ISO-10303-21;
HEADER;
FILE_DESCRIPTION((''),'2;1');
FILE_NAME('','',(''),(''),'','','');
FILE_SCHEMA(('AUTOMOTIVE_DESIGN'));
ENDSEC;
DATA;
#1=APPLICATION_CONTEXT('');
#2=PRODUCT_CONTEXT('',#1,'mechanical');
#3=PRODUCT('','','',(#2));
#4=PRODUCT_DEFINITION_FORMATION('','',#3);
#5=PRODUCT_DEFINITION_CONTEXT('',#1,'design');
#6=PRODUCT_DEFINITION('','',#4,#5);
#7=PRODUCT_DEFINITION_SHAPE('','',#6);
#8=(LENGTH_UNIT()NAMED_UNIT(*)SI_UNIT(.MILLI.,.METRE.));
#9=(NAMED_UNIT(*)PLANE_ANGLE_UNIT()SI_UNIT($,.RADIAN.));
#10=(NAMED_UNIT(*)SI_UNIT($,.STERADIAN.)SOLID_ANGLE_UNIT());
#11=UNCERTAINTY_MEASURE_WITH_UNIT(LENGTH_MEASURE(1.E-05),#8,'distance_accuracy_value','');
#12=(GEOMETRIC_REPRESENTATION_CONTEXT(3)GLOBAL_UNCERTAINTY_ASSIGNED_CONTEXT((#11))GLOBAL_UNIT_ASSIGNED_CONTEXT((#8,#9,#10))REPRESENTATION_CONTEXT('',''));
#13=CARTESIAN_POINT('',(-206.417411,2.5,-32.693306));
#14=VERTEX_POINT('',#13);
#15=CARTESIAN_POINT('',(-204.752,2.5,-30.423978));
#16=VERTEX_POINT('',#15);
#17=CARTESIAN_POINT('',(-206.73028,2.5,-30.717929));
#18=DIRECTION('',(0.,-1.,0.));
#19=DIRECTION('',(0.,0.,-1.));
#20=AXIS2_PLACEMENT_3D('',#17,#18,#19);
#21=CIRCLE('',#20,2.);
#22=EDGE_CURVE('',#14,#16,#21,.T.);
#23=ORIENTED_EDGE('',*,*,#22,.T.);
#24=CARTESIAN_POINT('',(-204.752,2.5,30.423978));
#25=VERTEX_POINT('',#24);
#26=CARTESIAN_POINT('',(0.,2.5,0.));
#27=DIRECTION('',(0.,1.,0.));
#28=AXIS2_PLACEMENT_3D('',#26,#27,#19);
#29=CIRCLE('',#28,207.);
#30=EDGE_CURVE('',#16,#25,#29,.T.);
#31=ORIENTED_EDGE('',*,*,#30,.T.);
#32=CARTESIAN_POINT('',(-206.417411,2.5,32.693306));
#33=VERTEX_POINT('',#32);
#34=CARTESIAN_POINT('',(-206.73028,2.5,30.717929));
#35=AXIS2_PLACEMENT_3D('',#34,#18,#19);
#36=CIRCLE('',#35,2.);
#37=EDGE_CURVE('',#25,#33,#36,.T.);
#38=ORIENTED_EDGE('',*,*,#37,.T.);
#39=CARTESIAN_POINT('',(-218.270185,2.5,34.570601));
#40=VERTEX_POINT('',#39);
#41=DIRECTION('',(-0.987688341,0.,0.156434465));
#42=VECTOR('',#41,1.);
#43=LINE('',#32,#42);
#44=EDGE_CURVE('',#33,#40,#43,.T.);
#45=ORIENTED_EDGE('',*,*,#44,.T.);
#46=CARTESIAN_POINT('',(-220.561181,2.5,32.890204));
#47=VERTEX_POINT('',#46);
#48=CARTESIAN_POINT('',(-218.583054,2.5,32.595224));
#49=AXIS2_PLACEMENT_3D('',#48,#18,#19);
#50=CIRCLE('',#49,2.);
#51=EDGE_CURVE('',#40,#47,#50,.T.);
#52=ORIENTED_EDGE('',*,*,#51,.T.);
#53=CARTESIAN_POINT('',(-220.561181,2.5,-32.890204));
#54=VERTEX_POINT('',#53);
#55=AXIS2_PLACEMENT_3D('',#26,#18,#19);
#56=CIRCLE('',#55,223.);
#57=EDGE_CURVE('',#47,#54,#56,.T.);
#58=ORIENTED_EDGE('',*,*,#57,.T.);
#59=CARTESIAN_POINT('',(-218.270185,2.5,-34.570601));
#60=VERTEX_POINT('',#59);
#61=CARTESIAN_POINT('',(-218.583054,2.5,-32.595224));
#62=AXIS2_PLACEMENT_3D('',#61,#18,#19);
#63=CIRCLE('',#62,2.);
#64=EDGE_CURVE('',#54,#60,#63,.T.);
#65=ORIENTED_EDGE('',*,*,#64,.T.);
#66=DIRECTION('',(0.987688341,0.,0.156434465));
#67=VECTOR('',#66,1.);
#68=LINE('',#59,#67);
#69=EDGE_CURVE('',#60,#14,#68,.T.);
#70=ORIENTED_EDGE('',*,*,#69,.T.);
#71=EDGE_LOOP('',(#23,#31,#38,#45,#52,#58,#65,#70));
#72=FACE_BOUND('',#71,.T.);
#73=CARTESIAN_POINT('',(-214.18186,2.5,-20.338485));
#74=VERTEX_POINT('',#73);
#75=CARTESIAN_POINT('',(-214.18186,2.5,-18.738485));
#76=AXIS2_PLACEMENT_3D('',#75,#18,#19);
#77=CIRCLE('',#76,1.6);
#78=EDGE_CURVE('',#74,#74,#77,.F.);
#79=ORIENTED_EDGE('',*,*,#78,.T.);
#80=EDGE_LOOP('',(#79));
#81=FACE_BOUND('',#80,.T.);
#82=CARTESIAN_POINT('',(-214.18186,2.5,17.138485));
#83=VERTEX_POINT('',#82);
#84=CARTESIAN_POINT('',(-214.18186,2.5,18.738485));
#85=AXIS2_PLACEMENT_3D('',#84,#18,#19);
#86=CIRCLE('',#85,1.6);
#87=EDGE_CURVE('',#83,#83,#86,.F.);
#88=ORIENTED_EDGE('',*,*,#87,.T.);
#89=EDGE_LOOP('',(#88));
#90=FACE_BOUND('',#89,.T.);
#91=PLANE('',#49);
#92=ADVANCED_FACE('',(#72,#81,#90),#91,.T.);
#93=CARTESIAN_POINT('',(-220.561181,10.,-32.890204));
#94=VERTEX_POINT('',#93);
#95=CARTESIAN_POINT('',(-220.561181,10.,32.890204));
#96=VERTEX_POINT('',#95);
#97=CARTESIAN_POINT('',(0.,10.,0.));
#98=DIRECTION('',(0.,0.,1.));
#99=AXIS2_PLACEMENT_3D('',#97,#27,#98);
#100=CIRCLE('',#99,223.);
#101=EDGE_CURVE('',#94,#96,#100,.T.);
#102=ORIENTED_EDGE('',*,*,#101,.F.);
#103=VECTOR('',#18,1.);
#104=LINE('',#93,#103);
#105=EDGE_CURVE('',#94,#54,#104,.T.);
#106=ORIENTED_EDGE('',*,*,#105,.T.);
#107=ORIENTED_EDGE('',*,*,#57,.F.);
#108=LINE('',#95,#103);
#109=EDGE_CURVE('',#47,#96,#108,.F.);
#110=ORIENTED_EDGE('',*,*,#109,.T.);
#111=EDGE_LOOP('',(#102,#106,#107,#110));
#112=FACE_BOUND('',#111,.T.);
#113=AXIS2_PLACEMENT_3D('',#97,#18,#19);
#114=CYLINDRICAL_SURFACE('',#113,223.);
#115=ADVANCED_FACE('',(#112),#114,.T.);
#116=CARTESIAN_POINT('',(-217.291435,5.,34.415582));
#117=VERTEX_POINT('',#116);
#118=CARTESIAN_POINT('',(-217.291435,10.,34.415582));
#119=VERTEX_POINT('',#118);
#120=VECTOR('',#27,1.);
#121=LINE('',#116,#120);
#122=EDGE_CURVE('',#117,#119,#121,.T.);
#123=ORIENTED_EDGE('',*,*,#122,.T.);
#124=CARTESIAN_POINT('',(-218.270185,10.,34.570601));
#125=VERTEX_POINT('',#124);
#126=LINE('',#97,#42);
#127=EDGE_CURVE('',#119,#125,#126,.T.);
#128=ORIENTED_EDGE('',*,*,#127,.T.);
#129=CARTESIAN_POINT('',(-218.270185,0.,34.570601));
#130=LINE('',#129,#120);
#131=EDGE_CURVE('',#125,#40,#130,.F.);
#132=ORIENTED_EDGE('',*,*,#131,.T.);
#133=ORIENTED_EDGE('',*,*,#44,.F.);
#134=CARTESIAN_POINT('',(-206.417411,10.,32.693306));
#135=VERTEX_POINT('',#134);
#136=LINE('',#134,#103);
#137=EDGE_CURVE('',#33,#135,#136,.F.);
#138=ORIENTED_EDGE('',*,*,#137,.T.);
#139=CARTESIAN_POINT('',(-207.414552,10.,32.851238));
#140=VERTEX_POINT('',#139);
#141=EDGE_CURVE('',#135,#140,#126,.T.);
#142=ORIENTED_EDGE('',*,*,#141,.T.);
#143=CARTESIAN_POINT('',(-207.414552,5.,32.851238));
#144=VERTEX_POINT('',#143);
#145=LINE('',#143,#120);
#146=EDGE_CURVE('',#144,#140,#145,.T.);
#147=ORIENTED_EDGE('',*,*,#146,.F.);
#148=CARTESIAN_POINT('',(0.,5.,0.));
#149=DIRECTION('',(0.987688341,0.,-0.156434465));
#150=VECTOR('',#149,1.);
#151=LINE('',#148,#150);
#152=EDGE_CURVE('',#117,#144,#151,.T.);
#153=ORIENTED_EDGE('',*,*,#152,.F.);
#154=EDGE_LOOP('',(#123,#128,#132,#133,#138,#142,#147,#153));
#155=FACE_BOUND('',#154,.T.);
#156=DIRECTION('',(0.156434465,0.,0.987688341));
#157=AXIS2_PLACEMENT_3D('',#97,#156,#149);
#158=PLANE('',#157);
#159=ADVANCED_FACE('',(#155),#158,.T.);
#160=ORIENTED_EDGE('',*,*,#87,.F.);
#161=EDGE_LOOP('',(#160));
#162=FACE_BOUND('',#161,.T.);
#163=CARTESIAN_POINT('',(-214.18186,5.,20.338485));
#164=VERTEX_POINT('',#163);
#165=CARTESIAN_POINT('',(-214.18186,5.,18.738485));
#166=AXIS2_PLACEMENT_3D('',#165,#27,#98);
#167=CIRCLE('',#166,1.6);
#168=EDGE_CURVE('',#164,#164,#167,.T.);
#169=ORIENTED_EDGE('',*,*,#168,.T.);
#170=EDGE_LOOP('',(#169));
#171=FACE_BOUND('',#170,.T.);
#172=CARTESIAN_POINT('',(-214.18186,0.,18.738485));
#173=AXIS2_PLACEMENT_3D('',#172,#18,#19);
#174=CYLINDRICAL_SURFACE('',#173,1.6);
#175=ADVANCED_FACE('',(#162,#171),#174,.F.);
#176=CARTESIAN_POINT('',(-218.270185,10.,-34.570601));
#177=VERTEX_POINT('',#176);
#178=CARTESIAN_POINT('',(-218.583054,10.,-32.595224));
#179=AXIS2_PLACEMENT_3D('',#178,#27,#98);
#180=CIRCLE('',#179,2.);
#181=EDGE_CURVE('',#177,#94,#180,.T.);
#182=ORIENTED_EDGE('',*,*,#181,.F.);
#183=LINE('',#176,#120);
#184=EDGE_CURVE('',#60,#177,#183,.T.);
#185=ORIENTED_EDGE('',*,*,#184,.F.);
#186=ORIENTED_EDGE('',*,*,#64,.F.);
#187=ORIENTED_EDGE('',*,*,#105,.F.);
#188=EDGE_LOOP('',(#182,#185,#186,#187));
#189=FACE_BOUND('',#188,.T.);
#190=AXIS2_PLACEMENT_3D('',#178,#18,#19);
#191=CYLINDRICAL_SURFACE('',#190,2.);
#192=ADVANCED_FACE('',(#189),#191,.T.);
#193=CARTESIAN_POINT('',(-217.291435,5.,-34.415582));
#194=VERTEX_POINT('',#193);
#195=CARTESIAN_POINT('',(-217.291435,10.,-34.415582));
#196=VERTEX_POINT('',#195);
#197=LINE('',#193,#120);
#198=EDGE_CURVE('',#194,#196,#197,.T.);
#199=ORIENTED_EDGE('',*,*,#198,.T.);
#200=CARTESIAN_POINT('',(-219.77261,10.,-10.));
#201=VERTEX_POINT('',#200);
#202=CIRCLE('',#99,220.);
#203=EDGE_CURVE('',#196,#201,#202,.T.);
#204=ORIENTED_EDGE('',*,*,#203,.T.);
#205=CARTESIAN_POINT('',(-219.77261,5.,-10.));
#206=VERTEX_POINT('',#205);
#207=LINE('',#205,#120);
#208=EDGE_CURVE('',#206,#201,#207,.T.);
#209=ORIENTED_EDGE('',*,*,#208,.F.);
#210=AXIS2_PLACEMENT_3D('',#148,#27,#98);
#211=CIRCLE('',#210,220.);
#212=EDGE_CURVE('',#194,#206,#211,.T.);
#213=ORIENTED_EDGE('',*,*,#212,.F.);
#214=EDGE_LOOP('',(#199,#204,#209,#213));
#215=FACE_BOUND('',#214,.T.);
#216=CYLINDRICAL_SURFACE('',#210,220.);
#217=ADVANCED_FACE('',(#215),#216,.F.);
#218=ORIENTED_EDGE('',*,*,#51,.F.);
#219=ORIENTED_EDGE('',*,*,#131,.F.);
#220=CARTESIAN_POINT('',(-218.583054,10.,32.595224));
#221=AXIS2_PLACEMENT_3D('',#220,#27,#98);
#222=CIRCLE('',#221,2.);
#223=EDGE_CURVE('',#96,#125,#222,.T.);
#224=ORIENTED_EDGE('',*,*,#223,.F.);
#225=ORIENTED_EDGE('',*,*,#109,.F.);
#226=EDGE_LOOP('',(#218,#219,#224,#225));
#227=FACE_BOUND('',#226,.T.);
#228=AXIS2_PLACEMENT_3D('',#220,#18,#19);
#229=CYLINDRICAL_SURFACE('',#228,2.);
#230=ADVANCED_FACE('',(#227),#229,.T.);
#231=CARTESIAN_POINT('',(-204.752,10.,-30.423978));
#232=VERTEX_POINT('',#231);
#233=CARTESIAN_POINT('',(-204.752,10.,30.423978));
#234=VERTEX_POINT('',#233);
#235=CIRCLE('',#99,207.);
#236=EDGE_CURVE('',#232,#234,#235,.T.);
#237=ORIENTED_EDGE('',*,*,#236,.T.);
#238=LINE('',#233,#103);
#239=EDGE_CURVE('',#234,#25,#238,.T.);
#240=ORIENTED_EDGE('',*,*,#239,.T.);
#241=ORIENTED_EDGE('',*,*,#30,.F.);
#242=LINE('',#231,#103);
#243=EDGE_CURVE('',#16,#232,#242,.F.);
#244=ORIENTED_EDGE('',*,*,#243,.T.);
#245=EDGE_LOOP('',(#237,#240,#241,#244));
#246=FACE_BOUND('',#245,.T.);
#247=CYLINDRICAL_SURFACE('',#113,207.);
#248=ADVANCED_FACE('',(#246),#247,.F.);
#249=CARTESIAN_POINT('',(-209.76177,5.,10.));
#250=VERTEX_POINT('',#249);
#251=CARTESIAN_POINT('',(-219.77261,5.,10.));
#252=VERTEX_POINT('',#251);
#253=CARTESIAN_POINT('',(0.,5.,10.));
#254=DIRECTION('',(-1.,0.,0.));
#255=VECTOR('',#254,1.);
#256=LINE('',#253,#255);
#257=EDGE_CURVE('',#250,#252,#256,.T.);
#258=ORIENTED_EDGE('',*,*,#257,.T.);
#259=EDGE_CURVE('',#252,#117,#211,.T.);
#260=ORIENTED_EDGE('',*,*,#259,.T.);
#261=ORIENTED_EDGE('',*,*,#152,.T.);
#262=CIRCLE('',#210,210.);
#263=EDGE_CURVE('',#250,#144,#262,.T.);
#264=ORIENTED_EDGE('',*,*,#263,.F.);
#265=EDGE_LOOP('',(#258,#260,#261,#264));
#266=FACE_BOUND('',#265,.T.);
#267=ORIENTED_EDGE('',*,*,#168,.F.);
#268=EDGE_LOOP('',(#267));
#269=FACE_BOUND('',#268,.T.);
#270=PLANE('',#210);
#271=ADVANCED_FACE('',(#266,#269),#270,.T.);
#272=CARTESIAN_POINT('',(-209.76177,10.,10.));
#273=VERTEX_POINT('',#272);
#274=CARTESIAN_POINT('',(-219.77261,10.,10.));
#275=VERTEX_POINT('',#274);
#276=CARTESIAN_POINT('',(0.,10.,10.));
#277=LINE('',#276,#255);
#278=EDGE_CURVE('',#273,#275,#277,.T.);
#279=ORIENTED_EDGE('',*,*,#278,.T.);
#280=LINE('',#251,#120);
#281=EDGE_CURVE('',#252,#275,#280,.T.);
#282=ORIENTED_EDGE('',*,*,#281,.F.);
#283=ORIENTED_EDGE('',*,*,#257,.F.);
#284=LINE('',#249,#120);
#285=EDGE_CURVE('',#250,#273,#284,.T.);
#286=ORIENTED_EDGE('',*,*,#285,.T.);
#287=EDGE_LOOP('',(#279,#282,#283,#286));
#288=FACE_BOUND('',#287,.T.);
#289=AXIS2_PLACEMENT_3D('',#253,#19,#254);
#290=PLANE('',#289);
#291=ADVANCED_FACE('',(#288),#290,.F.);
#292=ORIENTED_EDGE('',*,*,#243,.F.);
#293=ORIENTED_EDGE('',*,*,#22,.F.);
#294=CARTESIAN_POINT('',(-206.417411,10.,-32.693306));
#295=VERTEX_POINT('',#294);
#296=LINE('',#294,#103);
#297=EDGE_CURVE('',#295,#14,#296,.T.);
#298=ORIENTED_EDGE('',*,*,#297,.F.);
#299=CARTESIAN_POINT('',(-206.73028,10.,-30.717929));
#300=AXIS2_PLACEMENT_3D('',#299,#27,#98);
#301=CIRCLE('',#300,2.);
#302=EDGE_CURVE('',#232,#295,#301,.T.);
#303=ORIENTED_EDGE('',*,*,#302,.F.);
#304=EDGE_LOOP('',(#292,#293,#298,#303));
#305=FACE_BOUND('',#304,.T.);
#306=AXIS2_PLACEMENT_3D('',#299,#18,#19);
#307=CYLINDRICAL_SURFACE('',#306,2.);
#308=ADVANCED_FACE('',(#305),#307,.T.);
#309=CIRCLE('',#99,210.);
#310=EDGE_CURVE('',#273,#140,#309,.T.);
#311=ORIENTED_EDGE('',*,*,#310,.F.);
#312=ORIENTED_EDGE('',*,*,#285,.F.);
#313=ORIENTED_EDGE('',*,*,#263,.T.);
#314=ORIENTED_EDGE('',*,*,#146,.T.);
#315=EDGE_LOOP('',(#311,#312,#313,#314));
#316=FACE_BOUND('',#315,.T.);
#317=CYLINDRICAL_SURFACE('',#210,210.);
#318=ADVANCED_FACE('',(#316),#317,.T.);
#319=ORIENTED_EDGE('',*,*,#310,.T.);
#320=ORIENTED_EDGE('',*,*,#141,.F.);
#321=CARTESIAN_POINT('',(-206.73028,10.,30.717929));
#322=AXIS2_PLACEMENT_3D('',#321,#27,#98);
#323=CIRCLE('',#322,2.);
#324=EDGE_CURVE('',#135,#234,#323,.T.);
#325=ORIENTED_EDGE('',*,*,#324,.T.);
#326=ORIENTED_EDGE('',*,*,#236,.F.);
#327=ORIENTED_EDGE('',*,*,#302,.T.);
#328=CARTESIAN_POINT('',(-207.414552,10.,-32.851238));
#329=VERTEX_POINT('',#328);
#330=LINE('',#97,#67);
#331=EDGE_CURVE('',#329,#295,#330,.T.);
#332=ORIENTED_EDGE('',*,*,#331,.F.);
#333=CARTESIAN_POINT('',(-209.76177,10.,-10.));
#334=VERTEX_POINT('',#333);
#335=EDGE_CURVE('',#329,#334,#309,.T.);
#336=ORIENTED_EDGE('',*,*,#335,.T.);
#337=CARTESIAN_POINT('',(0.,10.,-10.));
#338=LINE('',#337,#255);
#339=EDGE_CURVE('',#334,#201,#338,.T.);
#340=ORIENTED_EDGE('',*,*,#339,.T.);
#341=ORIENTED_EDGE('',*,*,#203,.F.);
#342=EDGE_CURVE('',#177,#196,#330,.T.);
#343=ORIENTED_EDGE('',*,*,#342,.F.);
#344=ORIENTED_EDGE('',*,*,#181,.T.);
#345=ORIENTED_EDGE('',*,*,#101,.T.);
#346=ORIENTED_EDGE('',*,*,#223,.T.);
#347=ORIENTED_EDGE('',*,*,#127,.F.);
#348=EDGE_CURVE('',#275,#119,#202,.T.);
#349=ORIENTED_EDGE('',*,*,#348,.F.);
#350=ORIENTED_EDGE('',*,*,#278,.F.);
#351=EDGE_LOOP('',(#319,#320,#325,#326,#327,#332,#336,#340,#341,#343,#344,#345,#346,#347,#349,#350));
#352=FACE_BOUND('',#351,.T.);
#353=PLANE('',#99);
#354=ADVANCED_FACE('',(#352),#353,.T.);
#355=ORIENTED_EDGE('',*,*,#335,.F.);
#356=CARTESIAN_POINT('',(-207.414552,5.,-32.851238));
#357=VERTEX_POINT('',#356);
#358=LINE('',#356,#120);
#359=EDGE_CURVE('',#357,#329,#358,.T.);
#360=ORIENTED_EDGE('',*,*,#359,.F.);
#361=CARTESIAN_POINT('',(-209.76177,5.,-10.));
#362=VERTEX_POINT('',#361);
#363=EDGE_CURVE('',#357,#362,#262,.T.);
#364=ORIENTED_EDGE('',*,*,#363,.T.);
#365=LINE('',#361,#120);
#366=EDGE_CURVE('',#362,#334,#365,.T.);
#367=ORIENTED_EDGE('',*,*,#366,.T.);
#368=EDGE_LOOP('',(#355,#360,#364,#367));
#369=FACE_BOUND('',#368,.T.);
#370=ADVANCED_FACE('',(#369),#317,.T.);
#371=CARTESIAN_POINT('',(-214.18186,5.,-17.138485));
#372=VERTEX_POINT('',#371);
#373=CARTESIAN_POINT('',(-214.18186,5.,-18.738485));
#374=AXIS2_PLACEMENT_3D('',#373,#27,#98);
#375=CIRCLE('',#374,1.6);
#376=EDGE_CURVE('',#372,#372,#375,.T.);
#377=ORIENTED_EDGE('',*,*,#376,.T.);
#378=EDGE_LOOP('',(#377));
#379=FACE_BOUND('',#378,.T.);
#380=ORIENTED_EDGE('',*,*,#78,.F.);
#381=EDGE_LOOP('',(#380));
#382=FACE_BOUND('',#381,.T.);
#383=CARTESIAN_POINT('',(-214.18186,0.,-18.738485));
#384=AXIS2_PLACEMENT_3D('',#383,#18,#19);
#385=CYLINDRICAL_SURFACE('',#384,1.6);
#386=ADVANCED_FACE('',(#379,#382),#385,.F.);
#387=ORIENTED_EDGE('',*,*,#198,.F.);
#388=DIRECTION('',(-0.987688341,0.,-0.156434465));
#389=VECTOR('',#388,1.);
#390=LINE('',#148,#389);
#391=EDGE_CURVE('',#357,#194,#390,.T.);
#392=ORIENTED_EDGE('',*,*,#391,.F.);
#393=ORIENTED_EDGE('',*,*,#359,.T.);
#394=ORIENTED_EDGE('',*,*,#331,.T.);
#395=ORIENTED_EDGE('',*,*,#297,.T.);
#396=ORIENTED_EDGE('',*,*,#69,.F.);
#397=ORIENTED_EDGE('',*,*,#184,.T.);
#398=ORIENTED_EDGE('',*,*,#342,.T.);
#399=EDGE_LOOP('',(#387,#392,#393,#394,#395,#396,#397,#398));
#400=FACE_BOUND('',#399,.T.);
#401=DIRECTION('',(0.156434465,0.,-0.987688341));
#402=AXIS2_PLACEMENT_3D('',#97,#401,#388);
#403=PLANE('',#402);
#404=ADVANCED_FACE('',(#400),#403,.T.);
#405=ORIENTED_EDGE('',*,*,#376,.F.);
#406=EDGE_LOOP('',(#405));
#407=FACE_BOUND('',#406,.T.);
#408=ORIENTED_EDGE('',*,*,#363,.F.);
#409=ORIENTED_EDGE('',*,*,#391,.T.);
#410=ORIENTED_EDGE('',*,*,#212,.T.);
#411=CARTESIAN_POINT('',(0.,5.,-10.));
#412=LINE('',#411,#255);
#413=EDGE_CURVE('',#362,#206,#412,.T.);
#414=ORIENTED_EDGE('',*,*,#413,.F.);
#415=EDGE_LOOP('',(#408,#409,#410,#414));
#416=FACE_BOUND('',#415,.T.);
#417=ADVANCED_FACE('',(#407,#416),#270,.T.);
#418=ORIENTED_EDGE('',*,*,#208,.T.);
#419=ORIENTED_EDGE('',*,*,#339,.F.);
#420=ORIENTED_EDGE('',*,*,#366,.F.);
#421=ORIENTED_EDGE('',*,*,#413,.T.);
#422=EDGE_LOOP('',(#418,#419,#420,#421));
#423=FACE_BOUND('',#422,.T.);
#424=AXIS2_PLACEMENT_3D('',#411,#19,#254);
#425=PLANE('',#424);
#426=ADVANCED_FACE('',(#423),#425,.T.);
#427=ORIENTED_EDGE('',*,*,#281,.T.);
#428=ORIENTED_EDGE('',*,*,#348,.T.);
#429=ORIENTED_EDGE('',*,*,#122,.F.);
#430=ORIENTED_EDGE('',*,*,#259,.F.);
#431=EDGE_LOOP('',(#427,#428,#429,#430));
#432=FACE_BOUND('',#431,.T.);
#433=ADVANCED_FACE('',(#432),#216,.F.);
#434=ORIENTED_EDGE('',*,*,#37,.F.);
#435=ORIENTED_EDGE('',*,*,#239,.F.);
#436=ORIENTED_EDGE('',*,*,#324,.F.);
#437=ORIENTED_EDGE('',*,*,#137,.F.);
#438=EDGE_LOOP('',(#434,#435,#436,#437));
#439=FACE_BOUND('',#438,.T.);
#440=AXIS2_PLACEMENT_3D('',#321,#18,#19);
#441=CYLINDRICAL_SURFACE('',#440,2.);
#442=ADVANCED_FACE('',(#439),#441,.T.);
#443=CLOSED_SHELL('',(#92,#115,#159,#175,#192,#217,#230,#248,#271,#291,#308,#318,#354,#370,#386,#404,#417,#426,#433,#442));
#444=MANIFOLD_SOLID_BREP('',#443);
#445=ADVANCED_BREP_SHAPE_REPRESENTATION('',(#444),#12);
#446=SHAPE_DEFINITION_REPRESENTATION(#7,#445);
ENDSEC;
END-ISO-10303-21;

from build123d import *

# Parameters (mm, degrees)
BOSS_EXTRUDE1_DEPTH        = 10
CUT_EXTRUDE1_DEPTH         = 5
F_3_2_3_2_DIAMETER_HOLE1_D = 3.2
FILLET1_R                  = 2
CUT_EXTRUDE2_START         = -2.5
CUT_EXTRUDE2_DEPTH         = 2.5


with BuildPart() as part:
    # Sketch1 → Boss-Extrude1 (new body)
    with BuildSketch(Plane(origin=(0, 0, 0), x_dir=(1, 0, 0), z_dir=(0, 1, 0))):
        with BuildLine():
            ThreePointArc((-207.414551525, 32.851237658), (-210, 0), (-207.414551525, -32.851237658))
            Line((-207.414551525, -32.851237658), (-217.291434931, -34.415582309))
            ThreePointArc((-217.291434931, -34.415582309), (-220, 0), (-217.291434931, 34.415582309))
            Line((-217.291434931, 34.415582309), (-207.414551525, 32.851237658))
        make_face()
        with BuildLine():
            ThreePointArc((-217.291434931, -34.415582309), (-220, 0), (-217.291434931, 34.415582309))
            Line((-217.291434931, 34.415582309), (-220.254499953, 34.884885704))
            ThreePointArc((-220.254499953, 34.884885704), (-223, 0), (-220.254499953, -34.884885704))
            Line((-220.254499953, -34.884885704), (-217.291434931, -34.415582309))
        make_face()
        with BuildLine():
            Line((-204.451486503, 32.381934263), (-207.414551525, 32.851237658))
            ThreePointArc((-207.414551525, 32.851237658), (-210, 0), (-207.414551525, -32.851237658))
            Line((-207.414551525, -32.851237658), (-204.451486503, -32.381934263))
            ThreePointArc((-204.451486503, -32.381934263), (-207, 0), (-204.451486503, 32.381934263))
        make_face()
    extrude(amount=BOSS_EXTRUDE1_DEPTH)

    # Sketch15 → Cut-Extrude1 (cut)
    with BuildSketch(Plane(origin=(0, 10, 0), x_dir=(1, 0, 0), z_dir=(0, 1, 0))):
        with BuildLine():
            Line((-219.772609758, 10), (-209.761769634, 10))
            ThreePointArc((-209.761769634, 10), (-208.900850883, 21.457737542), (-207.414551525, 32.851237658))
            Line((-207.414551525, 32.851237658), (-217.291434931, 34.415582309))
            ThreePointArc((-217.291434931, 34.415582309), (-218.872736893, 22.242415451), (-219.772609758, 10))
        make_face()
        with BuildLine():
            ThreePointArc((-207.414551525, -32.851237658), (-208.900850883, -21.457737542), (-209.761769634, -10))
            Line((-209.761769634, -10), (-219.772609758, -10))
            ThreePointArc((-219.772609758, -10), (-218.872736893, -22.242415451), (-217.291434931, -34.415582309))
            Line((-217.291434931, -34.415582309), (-207.414551525, -32.851237658))
        make_face()
    extrude(amount=-CUT_EXTRUDE1_DEPTH, mode=Mode.SUBTRACT)

    # Ø3.2 (3.2) Diameter Hole1 (through all)
    with Locations(Plane(origin=(0, 0, 0), x_dir=(-1, 0, 0), z_dir=(0, -1, 0))):
        with Locations((214.18186009, -18.738484691), (214.18186009, 18.738484691)):
            Hole(F_3_2_3_2_DIAMETER_HOLE1_D / 2)

    # Fillet1
    fillet1_edges = [part.edges().sort_by_distance(p)[0] for p in [
        (-220.254499953, 5, 34.884885704),
        (-220.254499953, 5, -34.884885704),
        (-204.451486503, 5, -32.381934263),
        (-204.451486503, 5, 32.381934263),
    ]]
    fillet(fillet1_edges, radius=FILLET1_R)

    # Sketch19 → Cut-Extrude2 (cut)
    with BuildSketch(Plane.XZ.offset(CUT_EXTRUDE2_START)):
        with BuildLine():
            Line((-218.270184732, -34.570601048), (-206.417411405, -32.693306179))
            ThreePointArc((-206.417411405, -32.693306179), (-205.117889671, -31.901228423), (-204.75200014, -30.423978019))
            ThreePointArc((-204.75200014, -30.423978019), (-207, 0), (-204.75200014, 30.423978019))
            ThreePointArc((-204.75200014, 30.423978019), (-205.117889671, 31.901228423), (-206.417411405, 32.693306179))
            Line((-206.417411405, 32.693306179), (-218.270184732, 34.570601048))
            ThreePointArc((-218.270184732, 34.570601048), (-219.765933628, 34.207922413), (-220.561180845, 32.890203773))
            ThreePointArc((-220.561180845, 32.890203773), (-223, 0), (-220.561180845, -32.890203773))
            ThreePointArc((-220.561180845, -32.890203773), (-219.765933628, -34.207922413), (-218.270184732, -34.570601048))
        make_face()
    extrude(amount=CUT_EXTRUDE2_DEPTH, mode=Mode.SUBTRACT)


solid = part.part
